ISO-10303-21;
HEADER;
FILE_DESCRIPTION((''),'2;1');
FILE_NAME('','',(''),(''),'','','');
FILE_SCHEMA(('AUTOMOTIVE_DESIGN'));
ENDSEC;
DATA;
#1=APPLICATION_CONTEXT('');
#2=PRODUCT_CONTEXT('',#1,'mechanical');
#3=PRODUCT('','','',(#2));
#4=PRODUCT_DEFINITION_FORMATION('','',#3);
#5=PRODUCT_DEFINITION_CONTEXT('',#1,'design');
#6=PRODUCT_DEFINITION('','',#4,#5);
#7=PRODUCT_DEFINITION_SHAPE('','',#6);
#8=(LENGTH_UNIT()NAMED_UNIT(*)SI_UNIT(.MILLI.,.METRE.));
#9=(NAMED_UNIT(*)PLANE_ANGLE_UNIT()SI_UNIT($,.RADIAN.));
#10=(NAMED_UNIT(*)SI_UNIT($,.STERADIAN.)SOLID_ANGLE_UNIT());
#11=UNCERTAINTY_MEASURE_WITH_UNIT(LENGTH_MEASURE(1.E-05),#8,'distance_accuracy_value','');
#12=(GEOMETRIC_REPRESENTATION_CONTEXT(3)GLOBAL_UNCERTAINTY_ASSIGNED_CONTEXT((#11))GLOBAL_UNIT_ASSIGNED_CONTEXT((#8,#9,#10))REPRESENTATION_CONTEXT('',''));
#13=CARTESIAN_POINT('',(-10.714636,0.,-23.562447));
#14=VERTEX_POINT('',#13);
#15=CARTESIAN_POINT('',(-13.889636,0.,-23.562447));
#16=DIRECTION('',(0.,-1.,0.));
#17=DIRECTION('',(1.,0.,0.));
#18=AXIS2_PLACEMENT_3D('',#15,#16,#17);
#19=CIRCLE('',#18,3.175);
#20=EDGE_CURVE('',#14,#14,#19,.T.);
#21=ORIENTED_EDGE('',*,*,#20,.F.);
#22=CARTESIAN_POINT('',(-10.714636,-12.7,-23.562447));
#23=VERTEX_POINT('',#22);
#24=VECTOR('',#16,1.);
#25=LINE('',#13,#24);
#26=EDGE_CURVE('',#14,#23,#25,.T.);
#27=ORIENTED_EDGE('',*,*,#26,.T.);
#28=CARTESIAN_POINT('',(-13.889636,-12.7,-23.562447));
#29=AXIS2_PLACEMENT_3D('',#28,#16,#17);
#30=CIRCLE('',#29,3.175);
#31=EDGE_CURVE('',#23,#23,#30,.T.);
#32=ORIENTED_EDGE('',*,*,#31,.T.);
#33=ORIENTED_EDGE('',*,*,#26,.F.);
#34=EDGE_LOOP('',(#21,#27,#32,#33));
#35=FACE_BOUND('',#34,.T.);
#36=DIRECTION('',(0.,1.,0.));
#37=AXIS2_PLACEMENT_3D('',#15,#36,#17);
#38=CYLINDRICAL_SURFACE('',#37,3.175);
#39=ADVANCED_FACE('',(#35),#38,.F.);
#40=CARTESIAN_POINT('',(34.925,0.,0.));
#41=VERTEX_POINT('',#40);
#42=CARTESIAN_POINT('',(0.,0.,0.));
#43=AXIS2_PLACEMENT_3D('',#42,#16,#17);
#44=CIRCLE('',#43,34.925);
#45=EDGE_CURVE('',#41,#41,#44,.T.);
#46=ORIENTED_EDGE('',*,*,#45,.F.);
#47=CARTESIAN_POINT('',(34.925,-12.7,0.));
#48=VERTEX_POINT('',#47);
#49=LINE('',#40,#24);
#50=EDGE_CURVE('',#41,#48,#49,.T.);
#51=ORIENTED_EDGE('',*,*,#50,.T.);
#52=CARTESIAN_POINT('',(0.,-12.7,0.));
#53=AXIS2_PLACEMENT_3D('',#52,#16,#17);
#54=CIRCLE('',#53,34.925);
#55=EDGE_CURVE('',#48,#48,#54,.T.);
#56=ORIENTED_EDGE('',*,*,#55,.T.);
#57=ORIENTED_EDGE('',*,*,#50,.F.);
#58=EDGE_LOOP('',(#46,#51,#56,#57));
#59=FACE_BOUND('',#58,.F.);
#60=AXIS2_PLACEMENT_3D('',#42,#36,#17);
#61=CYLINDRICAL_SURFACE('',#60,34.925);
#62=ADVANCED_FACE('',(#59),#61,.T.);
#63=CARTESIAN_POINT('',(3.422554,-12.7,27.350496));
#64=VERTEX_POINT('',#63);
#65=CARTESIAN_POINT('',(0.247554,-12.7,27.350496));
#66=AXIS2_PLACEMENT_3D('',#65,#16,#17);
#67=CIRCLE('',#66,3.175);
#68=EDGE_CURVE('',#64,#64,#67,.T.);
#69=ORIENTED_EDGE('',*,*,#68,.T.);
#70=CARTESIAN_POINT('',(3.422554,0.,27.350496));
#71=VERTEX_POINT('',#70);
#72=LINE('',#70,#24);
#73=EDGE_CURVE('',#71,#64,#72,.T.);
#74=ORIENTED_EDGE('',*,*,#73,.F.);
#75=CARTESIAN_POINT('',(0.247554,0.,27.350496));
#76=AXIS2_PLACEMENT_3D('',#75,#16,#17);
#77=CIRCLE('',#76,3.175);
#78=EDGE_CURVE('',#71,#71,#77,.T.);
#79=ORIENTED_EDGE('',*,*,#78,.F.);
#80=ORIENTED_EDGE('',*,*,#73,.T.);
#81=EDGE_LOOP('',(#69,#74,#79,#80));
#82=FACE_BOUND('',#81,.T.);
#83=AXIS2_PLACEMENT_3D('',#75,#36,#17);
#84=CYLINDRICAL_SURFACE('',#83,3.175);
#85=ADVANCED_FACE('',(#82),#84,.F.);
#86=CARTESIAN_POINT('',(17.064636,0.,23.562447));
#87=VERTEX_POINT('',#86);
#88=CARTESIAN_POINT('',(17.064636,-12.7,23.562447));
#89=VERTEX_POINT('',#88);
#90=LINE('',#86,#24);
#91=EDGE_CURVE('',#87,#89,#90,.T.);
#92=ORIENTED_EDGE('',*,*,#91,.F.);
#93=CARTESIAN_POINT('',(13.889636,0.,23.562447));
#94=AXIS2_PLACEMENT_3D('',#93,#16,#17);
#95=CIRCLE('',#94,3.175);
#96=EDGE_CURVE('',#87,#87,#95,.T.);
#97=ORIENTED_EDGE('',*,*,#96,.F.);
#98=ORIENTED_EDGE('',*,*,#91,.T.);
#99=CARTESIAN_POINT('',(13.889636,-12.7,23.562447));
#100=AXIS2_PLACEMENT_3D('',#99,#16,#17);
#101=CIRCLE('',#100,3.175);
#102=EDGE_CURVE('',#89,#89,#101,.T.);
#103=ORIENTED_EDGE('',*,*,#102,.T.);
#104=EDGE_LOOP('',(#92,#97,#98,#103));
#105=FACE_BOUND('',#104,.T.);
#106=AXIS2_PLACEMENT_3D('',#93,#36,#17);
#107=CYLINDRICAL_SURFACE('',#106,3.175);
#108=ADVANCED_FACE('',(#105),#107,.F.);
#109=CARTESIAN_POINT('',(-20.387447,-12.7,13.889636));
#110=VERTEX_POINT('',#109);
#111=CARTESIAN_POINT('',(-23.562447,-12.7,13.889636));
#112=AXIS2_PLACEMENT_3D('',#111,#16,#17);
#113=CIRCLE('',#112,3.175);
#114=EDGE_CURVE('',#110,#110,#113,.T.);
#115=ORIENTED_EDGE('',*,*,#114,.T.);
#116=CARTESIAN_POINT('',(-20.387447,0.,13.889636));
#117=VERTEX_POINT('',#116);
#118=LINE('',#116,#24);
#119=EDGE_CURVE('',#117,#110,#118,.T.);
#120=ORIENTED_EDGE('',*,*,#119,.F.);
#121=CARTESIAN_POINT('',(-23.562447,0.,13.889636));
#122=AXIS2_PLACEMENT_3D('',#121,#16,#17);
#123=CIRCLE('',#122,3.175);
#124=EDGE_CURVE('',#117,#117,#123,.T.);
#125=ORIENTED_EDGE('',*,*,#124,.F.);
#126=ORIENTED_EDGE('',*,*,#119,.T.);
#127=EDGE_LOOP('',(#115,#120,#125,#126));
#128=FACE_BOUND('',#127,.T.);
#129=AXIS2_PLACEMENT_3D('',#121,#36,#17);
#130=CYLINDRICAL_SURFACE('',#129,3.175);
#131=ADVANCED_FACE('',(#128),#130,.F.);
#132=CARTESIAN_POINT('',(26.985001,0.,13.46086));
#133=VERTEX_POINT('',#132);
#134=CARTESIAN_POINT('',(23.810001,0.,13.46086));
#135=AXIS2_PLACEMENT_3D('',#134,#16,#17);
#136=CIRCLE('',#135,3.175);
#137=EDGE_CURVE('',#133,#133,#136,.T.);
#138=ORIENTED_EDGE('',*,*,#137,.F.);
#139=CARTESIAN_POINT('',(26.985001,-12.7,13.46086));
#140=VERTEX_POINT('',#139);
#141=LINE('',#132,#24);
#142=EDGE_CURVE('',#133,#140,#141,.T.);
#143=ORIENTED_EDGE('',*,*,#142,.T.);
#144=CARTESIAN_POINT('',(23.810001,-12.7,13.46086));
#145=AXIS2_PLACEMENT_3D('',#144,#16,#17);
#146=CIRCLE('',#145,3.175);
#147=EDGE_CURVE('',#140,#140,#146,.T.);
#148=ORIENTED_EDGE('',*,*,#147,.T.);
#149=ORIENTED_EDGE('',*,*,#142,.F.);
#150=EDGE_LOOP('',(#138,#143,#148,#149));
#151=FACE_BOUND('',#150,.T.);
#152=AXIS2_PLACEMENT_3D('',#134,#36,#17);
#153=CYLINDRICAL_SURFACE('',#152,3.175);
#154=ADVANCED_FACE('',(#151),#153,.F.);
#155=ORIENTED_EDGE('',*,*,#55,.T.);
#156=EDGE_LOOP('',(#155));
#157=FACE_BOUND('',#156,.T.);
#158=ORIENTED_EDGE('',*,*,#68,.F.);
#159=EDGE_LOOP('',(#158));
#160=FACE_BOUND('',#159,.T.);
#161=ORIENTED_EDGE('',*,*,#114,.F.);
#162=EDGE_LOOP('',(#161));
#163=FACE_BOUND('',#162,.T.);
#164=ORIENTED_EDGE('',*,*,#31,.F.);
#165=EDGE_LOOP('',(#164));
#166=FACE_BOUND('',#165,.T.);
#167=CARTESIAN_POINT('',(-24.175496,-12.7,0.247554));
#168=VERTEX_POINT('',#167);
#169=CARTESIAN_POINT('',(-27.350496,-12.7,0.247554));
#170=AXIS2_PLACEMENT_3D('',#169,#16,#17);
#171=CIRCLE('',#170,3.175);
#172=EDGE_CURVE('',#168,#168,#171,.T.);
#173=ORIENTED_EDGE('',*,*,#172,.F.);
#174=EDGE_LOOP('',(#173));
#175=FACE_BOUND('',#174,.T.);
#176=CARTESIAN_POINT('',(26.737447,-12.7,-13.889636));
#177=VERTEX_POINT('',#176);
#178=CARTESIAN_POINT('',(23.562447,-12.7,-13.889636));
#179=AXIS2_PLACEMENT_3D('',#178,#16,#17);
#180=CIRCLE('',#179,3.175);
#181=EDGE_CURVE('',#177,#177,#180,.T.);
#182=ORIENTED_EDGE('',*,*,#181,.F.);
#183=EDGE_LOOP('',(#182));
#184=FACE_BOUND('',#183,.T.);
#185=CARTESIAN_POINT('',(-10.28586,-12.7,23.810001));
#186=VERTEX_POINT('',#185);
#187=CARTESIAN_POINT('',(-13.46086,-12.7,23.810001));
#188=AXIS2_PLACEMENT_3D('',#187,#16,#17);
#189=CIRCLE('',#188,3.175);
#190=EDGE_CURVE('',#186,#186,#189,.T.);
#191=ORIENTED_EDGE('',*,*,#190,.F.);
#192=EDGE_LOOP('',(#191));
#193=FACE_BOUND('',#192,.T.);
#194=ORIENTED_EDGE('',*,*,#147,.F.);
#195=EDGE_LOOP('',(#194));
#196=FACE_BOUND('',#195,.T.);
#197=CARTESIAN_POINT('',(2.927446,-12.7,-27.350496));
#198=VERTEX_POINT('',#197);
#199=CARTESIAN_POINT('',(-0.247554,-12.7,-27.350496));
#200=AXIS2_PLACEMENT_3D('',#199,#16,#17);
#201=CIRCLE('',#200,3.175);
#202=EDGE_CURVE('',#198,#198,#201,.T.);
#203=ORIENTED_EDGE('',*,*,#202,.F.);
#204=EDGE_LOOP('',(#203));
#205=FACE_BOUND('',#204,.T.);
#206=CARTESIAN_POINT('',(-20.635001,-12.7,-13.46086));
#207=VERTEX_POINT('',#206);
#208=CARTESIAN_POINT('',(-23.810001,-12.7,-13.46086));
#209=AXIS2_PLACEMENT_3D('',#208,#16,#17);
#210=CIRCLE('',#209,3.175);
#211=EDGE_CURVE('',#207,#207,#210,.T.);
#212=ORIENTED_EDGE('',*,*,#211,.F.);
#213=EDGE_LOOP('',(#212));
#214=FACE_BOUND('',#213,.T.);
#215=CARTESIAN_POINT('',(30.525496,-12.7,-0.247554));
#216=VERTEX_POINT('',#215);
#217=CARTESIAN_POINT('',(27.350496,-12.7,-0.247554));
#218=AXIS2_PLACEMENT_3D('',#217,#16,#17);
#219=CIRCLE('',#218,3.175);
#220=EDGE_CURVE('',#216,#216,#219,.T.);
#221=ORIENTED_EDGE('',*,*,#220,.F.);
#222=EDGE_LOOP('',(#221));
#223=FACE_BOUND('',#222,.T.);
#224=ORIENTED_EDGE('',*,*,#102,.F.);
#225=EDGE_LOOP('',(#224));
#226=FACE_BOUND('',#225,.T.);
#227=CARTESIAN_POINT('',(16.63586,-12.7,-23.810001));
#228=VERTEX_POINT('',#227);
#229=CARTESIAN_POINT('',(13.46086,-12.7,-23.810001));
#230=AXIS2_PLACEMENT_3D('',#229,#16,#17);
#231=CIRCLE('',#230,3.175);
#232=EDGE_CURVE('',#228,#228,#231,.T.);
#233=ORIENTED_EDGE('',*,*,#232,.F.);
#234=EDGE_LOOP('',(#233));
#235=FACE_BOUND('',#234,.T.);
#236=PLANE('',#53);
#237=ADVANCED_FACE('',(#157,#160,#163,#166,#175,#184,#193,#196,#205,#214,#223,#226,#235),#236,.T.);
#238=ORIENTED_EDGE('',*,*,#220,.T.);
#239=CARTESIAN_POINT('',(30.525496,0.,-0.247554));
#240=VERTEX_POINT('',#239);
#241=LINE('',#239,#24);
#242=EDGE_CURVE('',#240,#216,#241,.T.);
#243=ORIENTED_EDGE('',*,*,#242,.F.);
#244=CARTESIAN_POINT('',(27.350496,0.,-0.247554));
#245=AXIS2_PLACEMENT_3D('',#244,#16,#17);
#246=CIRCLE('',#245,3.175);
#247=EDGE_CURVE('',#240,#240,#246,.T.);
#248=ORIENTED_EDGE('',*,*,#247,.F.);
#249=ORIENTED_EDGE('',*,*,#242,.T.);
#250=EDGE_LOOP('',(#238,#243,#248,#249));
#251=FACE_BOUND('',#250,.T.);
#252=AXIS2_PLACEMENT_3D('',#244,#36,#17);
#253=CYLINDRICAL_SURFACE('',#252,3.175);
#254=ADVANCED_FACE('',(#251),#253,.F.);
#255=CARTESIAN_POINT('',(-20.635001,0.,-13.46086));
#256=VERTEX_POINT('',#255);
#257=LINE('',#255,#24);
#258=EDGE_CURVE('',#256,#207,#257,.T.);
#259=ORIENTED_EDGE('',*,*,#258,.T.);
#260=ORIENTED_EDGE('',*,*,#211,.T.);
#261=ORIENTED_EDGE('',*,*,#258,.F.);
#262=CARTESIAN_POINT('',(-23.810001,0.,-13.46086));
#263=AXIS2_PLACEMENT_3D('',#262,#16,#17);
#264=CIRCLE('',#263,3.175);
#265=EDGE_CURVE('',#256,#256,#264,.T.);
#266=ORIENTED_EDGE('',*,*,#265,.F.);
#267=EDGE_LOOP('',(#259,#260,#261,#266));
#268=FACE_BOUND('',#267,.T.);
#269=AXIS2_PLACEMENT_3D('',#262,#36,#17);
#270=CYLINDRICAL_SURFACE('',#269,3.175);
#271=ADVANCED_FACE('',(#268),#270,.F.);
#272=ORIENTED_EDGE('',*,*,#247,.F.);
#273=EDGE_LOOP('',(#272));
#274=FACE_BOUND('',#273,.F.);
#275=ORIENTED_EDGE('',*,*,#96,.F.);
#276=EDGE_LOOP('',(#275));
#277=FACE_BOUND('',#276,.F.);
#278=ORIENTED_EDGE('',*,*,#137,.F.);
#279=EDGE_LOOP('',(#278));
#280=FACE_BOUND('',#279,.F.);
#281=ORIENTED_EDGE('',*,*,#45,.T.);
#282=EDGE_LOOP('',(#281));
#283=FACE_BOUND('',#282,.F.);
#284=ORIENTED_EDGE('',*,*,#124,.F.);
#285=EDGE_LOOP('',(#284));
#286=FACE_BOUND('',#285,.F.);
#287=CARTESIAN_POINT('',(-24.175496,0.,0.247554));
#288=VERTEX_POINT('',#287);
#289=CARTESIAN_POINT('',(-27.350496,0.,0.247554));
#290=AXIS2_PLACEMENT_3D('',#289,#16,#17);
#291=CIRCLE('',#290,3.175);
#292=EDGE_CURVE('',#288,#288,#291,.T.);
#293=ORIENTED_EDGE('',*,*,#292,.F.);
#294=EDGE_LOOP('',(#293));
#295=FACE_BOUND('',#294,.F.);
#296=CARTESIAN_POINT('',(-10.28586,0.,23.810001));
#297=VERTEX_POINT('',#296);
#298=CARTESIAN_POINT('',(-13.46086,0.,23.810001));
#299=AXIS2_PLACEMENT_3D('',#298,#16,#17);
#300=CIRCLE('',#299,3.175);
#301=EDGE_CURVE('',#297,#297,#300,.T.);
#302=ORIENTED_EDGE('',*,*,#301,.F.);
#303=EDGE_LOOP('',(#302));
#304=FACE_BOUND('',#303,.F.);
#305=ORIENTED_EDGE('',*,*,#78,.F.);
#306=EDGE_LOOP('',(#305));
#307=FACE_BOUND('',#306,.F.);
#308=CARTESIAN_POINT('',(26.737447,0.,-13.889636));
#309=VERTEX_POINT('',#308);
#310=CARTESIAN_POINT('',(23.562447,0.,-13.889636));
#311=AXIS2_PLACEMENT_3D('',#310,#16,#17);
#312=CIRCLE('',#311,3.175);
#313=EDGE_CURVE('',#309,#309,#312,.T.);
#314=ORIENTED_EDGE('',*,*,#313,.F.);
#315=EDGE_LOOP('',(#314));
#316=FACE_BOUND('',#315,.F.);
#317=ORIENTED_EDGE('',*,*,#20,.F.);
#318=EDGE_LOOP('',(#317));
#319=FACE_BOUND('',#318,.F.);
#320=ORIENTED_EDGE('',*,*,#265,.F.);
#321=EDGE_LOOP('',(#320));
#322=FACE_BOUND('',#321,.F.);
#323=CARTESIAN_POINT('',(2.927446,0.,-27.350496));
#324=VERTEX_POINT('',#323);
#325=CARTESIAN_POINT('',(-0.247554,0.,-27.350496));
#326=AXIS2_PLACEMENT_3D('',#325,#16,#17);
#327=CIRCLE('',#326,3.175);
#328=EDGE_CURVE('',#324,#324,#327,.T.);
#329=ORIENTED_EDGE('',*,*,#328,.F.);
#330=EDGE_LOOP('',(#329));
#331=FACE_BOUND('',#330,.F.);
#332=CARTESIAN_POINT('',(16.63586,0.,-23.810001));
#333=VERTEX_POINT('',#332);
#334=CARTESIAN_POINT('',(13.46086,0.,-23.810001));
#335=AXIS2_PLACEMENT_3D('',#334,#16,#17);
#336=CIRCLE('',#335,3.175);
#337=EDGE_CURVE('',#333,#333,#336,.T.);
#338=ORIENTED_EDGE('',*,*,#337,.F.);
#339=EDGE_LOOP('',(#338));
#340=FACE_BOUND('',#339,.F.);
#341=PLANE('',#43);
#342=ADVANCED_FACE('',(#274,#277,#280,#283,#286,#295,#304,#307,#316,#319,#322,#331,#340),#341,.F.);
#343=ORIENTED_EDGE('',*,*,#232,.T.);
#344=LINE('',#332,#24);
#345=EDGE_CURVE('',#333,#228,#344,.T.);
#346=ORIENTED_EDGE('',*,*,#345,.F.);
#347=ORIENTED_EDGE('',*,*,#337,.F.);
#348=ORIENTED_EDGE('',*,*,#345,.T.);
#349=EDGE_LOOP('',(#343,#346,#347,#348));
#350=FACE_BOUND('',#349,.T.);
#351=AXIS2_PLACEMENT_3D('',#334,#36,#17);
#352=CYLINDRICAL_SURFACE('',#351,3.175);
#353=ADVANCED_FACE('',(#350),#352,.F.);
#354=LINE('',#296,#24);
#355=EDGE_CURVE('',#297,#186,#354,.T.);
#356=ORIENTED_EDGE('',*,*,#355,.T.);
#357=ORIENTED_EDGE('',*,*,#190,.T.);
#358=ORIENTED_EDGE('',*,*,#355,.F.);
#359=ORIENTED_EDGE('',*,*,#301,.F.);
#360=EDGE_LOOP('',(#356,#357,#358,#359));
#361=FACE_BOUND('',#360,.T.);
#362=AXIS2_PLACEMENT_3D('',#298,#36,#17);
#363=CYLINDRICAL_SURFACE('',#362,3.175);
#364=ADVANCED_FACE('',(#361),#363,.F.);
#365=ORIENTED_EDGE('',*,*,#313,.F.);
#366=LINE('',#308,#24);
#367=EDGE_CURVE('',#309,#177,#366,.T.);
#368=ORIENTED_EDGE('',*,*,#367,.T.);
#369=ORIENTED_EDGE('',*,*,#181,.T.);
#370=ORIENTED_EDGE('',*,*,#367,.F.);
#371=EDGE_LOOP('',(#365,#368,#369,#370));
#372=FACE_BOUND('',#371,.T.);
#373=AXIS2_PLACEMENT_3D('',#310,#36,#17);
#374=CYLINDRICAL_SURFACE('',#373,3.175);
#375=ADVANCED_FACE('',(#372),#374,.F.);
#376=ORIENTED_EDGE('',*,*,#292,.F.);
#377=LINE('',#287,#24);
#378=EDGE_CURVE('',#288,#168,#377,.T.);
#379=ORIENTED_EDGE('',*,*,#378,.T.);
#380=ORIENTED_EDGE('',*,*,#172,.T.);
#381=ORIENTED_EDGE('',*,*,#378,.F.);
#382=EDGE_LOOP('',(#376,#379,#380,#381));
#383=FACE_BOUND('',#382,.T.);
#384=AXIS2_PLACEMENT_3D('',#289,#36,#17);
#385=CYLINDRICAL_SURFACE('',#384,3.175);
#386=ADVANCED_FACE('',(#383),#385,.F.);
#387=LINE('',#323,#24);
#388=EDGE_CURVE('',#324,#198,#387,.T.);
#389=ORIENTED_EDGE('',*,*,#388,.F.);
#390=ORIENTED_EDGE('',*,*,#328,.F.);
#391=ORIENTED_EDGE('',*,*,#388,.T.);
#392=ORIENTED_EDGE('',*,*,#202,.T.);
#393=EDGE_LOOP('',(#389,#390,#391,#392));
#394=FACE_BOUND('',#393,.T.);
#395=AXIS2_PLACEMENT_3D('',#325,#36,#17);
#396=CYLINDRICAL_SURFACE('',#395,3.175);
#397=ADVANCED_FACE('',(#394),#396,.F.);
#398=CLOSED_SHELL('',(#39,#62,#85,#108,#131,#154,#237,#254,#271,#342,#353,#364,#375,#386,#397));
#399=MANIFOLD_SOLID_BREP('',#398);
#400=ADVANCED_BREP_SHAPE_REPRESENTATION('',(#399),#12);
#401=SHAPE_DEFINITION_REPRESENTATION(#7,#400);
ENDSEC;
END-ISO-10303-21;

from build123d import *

# Parameters (mm, degrees)
F0_R     = 34.925
F0_R_2   = 3.175
F1_DEPTH = 12.7


with BuildPart() as f1:
    # F0 (on Front) → F1 (new body)
    with BuildSketch(Plane.XZ):
        Circle(F0_R)
        with Locations((-0.247554, -27.350496)):
            Circle(F0_R_2, mode=Mode.SUBTRACT)
        with Locations((-13.889636, -23.562447)):
            Circle(F0_R_2, mode=Mode.SUBTRACT)
        with Locations((-23.810001, -13.46086)):
            Circle(F0_R_2, mode=Mode.SUBTRACT)
        with Locations((13.46086, -23.810001)):
            Circle(F0_R_2, mode=Mode.SUBTRACT)
        with Locations((23.562447, -13.889636)):
            Circle(F0_R_2, mode=Mode.SUBTRACT)
        with Locations((27.350496, -0.247554)):
            Circle(F0_R_2, mode=Mode.SUBTRACT)
        with Locations((-27.350496, 0.247554)):
            Circle(F0_R_2, mode=Mode.SUBTRACT)
        with Locations((-23.562447, 13.889636)):
            Circle(F0_R_2, mode=Mode.SUBTRACT)
        with Locations((-13.46086, 23.810001)):
            Circle(F0_R_2, mode=Mode.SUBTRACT)
        with Locations((23.810001, 13.46086)):
            Circle(F0_R_2, mode=Mode.SUBTRACT)
        with Locations((13.889636, 23.562447)):
            Circle(F0_R_2, mode=Mode.SUBTRACT)
        with Locations((0.247554, 27.350496)):
            Circle(F0_R_2, mode=Mode.SUBTRACT)
    extrude(amount=F1_DEPTH)


solid = f1.part
